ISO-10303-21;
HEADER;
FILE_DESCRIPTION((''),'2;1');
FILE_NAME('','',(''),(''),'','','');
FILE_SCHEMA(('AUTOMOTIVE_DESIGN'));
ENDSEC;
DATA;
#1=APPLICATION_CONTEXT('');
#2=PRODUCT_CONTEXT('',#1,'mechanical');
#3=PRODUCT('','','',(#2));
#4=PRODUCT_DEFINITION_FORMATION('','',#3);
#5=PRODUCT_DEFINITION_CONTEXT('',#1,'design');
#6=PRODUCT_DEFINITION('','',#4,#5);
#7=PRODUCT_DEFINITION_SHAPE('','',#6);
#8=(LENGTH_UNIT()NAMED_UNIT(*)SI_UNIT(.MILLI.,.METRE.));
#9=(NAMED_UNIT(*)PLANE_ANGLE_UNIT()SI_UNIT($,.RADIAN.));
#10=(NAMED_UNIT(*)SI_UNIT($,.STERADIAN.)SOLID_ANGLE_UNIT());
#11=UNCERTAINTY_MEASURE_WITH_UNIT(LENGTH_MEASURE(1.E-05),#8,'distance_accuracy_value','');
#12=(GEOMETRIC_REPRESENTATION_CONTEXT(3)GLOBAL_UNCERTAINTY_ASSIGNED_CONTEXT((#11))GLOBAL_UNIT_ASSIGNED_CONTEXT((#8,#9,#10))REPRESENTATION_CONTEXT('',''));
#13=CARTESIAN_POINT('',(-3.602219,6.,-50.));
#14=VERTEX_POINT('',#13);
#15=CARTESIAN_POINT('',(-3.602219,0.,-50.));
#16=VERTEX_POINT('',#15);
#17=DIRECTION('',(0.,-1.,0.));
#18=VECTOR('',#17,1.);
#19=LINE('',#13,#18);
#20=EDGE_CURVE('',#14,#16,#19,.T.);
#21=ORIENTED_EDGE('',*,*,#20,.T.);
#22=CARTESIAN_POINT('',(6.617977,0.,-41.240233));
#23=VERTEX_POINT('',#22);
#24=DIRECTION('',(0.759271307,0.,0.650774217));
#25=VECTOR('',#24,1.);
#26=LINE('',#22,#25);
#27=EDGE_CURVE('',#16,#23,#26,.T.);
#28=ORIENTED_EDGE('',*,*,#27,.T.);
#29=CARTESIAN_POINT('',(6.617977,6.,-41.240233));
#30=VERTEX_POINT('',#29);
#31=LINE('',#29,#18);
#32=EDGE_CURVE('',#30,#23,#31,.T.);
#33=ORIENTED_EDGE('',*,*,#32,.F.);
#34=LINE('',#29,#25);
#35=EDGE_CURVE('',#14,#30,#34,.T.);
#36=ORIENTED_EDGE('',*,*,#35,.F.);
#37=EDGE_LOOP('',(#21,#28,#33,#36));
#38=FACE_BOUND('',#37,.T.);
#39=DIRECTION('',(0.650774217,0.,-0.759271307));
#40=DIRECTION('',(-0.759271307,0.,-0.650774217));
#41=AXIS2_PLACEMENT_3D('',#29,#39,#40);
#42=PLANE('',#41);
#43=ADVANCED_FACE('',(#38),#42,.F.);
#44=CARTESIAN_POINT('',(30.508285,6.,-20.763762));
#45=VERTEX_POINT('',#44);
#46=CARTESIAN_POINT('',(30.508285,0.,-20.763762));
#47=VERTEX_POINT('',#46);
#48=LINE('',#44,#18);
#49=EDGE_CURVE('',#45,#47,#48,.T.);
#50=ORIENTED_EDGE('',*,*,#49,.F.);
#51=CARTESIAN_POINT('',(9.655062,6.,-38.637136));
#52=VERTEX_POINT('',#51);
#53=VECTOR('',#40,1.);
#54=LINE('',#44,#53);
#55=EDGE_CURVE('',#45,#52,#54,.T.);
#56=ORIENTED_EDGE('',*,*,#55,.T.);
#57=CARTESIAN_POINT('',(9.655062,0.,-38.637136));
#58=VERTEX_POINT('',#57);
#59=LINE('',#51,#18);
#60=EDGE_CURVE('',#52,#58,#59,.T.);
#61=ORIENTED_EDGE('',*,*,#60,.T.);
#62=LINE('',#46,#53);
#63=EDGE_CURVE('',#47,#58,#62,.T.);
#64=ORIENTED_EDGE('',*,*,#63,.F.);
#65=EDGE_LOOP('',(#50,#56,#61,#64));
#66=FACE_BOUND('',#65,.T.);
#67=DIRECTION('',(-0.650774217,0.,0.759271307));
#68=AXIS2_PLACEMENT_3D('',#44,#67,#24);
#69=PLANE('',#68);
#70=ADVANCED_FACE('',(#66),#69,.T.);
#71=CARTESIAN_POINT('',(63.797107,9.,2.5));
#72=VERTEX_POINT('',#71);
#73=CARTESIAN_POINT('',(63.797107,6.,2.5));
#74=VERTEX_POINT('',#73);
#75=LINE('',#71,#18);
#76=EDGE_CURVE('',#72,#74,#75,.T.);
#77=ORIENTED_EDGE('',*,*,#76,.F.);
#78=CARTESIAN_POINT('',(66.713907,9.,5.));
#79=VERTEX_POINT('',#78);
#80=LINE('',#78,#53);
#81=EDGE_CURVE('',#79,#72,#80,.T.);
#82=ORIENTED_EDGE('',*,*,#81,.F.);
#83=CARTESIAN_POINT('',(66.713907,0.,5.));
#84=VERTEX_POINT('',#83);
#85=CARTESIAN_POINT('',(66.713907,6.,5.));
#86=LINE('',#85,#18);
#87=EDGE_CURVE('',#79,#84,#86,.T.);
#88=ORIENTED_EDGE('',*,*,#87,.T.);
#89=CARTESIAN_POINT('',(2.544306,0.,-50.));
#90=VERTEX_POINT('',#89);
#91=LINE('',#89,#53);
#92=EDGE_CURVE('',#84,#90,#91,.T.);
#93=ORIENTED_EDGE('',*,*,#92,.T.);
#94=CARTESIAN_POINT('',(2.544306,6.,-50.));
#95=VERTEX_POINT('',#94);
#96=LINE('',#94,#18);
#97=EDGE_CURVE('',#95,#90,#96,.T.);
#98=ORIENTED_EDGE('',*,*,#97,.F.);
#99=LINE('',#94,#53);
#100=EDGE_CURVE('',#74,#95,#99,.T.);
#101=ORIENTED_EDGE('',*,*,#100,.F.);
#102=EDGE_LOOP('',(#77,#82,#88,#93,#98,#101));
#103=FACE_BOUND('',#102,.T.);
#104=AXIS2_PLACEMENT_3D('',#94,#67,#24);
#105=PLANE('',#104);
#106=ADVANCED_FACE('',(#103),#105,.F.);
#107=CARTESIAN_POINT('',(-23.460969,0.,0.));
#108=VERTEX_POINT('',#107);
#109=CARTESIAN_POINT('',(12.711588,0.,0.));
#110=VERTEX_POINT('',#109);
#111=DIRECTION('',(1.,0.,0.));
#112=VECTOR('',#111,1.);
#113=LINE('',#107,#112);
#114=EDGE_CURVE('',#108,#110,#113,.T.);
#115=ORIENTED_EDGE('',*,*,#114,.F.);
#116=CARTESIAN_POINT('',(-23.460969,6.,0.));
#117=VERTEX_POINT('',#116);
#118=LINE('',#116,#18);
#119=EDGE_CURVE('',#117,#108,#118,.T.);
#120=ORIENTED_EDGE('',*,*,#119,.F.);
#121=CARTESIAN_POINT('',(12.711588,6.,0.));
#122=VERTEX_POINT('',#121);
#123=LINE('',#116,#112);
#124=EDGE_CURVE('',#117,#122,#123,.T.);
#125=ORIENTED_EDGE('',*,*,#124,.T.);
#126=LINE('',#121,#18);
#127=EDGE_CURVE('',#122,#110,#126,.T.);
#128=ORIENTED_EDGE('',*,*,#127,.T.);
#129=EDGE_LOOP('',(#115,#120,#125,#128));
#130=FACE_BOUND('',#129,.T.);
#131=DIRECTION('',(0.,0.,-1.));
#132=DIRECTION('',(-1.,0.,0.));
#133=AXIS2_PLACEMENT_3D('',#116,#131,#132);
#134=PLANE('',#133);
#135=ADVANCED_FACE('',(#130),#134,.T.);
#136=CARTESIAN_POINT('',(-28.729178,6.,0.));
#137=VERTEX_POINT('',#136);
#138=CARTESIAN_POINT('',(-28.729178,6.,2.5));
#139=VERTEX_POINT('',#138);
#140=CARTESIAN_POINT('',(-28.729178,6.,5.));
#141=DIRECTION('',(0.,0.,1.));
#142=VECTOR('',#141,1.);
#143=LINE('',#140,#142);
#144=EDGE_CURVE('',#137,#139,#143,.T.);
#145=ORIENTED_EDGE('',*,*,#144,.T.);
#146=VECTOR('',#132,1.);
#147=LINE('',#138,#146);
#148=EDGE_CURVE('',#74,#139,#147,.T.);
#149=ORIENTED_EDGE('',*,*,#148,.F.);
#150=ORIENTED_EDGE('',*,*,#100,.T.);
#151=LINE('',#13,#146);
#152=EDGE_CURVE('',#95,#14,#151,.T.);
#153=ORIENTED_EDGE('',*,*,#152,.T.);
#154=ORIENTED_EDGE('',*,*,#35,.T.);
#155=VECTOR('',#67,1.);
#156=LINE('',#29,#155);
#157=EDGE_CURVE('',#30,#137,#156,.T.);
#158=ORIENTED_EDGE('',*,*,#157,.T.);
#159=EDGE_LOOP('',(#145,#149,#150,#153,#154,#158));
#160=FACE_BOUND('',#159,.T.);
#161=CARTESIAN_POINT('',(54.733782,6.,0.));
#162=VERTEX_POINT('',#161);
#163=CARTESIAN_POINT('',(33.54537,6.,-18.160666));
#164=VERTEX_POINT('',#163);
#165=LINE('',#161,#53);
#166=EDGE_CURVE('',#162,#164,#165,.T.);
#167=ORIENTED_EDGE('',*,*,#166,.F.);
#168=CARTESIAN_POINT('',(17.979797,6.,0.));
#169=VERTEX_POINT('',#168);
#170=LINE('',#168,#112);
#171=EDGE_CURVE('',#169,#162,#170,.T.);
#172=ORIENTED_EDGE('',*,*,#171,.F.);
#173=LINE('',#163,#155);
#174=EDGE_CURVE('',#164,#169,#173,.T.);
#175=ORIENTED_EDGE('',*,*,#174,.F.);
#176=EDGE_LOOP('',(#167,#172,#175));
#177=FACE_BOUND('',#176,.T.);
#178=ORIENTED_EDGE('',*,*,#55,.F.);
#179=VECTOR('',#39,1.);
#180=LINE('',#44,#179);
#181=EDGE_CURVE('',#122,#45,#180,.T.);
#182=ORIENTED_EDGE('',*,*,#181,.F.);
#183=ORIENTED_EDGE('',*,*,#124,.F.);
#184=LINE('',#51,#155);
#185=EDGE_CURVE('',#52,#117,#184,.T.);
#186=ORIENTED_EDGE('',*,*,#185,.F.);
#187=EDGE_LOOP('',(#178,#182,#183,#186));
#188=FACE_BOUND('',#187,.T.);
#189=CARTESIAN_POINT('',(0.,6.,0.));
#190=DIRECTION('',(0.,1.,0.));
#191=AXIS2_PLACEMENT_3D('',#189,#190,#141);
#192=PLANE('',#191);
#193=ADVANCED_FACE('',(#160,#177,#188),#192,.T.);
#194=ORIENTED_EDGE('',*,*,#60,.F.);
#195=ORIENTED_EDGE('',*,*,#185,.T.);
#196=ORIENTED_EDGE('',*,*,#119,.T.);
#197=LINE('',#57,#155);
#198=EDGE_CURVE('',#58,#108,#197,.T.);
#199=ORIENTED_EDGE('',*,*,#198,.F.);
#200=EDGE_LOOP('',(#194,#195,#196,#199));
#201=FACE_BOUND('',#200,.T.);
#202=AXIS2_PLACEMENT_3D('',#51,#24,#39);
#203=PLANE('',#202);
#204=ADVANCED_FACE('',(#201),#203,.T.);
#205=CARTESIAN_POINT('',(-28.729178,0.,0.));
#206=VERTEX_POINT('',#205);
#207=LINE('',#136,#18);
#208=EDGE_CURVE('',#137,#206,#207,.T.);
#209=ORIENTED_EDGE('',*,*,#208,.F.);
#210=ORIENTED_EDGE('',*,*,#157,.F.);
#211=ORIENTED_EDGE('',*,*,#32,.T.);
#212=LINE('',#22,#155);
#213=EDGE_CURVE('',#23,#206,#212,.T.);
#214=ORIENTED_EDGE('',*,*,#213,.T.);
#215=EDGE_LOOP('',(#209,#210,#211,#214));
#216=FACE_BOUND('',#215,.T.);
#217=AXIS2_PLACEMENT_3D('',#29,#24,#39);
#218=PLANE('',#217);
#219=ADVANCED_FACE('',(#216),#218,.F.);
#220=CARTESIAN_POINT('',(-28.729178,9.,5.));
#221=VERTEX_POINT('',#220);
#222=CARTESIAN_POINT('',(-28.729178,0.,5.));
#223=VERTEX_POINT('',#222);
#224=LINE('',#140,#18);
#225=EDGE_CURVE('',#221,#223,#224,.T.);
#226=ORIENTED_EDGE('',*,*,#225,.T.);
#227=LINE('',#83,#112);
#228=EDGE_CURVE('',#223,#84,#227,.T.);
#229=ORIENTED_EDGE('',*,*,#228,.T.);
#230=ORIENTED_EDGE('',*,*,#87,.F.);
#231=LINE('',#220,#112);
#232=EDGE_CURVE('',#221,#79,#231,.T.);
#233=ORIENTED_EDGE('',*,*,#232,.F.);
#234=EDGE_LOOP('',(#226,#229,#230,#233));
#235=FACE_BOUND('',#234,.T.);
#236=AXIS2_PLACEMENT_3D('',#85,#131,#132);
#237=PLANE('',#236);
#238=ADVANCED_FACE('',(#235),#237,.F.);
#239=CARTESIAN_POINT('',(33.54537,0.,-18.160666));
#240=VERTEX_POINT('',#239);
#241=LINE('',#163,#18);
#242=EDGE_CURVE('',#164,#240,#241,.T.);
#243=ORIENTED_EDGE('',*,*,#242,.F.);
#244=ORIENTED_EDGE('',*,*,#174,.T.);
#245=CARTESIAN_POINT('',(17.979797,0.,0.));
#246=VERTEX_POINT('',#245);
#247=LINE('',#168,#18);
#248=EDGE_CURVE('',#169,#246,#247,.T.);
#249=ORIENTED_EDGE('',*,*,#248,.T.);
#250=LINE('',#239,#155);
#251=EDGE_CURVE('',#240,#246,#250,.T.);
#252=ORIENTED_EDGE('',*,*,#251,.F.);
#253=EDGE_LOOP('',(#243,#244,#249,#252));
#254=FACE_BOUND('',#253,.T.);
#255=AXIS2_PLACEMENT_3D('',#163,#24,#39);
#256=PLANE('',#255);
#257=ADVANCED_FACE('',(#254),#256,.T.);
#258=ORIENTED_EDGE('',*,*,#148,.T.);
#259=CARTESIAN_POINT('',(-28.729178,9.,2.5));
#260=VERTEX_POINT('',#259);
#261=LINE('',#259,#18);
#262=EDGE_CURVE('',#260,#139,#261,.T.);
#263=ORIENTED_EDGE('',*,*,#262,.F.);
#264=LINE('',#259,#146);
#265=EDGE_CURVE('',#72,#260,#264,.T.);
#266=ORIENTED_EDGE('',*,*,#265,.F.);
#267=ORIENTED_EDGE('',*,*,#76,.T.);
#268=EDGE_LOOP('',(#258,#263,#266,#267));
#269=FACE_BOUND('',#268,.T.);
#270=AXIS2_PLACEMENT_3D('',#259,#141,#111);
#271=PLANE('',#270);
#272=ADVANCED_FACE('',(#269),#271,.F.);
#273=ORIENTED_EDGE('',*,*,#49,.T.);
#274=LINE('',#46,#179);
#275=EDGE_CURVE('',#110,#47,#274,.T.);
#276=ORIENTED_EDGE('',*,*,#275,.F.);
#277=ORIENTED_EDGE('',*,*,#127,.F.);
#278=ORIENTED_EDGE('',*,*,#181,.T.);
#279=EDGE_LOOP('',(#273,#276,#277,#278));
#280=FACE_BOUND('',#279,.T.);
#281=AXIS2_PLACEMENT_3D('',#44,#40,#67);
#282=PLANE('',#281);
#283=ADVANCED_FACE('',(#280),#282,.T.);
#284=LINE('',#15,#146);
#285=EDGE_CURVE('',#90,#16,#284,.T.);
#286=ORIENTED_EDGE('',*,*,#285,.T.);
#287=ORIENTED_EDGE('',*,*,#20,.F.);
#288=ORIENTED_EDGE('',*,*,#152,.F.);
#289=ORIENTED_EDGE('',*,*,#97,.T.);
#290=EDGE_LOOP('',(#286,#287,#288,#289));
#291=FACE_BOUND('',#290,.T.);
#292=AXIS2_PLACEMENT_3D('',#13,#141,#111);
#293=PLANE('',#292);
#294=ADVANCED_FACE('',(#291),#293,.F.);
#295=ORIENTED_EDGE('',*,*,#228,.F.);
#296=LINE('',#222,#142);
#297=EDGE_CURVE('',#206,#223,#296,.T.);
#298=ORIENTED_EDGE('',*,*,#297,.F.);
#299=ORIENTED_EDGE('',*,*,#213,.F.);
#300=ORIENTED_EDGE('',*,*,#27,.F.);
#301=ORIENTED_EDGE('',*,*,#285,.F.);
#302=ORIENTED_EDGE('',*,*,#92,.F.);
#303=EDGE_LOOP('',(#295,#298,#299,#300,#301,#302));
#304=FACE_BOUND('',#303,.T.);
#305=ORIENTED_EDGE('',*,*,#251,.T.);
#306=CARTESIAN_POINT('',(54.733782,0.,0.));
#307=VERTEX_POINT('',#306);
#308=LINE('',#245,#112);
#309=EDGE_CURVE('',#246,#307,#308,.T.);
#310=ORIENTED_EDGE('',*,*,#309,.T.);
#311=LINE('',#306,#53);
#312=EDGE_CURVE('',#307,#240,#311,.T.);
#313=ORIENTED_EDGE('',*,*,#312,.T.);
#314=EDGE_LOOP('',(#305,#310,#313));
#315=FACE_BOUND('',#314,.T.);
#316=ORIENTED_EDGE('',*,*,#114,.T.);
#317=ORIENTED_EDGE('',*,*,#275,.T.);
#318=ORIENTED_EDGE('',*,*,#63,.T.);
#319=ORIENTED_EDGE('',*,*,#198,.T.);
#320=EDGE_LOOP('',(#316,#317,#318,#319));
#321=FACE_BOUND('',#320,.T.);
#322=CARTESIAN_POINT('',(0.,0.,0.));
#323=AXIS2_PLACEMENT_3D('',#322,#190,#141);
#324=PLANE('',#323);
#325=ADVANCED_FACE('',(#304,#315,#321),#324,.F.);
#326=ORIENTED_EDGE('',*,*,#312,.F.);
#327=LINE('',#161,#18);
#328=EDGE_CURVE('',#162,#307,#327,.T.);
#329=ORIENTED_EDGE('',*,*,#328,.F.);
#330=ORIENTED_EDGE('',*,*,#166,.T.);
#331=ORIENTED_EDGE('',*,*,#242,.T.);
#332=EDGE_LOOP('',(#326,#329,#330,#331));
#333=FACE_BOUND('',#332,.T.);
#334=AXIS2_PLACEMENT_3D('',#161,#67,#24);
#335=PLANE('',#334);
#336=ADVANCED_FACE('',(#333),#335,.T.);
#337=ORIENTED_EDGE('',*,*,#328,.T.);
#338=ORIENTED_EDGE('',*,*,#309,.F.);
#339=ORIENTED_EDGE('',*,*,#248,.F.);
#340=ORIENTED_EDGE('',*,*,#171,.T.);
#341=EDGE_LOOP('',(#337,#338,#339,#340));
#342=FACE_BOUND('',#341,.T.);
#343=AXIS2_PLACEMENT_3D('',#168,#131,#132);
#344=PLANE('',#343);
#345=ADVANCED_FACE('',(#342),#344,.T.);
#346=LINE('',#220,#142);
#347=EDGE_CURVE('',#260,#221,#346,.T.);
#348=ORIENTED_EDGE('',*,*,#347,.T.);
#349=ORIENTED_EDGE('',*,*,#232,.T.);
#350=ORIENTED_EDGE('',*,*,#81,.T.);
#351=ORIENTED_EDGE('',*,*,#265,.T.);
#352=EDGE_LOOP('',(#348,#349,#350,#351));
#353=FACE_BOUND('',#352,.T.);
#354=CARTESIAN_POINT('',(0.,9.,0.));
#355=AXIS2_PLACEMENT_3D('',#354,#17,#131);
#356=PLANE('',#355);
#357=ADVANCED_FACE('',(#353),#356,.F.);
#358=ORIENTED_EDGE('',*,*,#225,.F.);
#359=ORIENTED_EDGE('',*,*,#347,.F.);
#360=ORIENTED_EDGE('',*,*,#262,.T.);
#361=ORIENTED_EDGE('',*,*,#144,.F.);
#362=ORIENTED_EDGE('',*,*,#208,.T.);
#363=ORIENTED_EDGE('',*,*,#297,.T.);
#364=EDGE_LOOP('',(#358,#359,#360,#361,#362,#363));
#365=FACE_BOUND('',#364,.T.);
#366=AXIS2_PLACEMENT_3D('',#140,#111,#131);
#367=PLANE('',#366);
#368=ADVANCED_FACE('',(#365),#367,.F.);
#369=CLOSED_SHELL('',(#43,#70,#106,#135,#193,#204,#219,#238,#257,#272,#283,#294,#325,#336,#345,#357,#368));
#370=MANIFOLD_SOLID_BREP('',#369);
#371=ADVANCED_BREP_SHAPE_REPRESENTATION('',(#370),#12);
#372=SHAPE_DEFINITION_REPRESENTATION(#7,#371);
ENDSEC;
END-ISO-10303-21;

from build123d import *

# Parameters (mm, degrees)
SALIENTE_EXTRUIR1_DEPTH = 6
SALIENTE_EXTRUIR2_DEPTH = 3


with BuildPart() as part:
    # Croquis1 → Saliente-Extruir1 (new body)
    with BuildSketch(Plane(origin=(0, 0, 0), x_dir=(1, 0, 0), z_dir=(0, 1, 0))):
        Polygon((-3.602218893, 50), (2.544306114, 50), (66.713907176, -5), (-28.729177989, -5), (-28.729177989, 0), (6.61797667, 41.240232966), align=None)
        Polygon((-23.460968903, 0), (12.711587976, 0), (30.508284771, 20.763762429), (9.655061899, 38.637136097), align=None, mode=Mode.SUBTRACT)
        Polygon((54.733782073, 0), (33.54537, 18.160665559), (17.979797062, 0), align=None, mode=Mode.SUBTRACT)
    extrude(amount=SALIENTE_EXTRUIR1_DEPTH)

    # Croquis2 → Saliente-Extruir2 (add)
    with BuildSketch(Plane(origin=(0, 6, 0), x_dir=(1, 0, 0), z_dir=(0, 1, 0))):
        Polygon((-28.729177989, -5), (66.713907176, -5), (63.797107127, -2.5), (-28.729177989, -2.5), align=None)
    extrude(amount=SALIENTE_EXTRUIR2_DEPTH)


solid = part.part
